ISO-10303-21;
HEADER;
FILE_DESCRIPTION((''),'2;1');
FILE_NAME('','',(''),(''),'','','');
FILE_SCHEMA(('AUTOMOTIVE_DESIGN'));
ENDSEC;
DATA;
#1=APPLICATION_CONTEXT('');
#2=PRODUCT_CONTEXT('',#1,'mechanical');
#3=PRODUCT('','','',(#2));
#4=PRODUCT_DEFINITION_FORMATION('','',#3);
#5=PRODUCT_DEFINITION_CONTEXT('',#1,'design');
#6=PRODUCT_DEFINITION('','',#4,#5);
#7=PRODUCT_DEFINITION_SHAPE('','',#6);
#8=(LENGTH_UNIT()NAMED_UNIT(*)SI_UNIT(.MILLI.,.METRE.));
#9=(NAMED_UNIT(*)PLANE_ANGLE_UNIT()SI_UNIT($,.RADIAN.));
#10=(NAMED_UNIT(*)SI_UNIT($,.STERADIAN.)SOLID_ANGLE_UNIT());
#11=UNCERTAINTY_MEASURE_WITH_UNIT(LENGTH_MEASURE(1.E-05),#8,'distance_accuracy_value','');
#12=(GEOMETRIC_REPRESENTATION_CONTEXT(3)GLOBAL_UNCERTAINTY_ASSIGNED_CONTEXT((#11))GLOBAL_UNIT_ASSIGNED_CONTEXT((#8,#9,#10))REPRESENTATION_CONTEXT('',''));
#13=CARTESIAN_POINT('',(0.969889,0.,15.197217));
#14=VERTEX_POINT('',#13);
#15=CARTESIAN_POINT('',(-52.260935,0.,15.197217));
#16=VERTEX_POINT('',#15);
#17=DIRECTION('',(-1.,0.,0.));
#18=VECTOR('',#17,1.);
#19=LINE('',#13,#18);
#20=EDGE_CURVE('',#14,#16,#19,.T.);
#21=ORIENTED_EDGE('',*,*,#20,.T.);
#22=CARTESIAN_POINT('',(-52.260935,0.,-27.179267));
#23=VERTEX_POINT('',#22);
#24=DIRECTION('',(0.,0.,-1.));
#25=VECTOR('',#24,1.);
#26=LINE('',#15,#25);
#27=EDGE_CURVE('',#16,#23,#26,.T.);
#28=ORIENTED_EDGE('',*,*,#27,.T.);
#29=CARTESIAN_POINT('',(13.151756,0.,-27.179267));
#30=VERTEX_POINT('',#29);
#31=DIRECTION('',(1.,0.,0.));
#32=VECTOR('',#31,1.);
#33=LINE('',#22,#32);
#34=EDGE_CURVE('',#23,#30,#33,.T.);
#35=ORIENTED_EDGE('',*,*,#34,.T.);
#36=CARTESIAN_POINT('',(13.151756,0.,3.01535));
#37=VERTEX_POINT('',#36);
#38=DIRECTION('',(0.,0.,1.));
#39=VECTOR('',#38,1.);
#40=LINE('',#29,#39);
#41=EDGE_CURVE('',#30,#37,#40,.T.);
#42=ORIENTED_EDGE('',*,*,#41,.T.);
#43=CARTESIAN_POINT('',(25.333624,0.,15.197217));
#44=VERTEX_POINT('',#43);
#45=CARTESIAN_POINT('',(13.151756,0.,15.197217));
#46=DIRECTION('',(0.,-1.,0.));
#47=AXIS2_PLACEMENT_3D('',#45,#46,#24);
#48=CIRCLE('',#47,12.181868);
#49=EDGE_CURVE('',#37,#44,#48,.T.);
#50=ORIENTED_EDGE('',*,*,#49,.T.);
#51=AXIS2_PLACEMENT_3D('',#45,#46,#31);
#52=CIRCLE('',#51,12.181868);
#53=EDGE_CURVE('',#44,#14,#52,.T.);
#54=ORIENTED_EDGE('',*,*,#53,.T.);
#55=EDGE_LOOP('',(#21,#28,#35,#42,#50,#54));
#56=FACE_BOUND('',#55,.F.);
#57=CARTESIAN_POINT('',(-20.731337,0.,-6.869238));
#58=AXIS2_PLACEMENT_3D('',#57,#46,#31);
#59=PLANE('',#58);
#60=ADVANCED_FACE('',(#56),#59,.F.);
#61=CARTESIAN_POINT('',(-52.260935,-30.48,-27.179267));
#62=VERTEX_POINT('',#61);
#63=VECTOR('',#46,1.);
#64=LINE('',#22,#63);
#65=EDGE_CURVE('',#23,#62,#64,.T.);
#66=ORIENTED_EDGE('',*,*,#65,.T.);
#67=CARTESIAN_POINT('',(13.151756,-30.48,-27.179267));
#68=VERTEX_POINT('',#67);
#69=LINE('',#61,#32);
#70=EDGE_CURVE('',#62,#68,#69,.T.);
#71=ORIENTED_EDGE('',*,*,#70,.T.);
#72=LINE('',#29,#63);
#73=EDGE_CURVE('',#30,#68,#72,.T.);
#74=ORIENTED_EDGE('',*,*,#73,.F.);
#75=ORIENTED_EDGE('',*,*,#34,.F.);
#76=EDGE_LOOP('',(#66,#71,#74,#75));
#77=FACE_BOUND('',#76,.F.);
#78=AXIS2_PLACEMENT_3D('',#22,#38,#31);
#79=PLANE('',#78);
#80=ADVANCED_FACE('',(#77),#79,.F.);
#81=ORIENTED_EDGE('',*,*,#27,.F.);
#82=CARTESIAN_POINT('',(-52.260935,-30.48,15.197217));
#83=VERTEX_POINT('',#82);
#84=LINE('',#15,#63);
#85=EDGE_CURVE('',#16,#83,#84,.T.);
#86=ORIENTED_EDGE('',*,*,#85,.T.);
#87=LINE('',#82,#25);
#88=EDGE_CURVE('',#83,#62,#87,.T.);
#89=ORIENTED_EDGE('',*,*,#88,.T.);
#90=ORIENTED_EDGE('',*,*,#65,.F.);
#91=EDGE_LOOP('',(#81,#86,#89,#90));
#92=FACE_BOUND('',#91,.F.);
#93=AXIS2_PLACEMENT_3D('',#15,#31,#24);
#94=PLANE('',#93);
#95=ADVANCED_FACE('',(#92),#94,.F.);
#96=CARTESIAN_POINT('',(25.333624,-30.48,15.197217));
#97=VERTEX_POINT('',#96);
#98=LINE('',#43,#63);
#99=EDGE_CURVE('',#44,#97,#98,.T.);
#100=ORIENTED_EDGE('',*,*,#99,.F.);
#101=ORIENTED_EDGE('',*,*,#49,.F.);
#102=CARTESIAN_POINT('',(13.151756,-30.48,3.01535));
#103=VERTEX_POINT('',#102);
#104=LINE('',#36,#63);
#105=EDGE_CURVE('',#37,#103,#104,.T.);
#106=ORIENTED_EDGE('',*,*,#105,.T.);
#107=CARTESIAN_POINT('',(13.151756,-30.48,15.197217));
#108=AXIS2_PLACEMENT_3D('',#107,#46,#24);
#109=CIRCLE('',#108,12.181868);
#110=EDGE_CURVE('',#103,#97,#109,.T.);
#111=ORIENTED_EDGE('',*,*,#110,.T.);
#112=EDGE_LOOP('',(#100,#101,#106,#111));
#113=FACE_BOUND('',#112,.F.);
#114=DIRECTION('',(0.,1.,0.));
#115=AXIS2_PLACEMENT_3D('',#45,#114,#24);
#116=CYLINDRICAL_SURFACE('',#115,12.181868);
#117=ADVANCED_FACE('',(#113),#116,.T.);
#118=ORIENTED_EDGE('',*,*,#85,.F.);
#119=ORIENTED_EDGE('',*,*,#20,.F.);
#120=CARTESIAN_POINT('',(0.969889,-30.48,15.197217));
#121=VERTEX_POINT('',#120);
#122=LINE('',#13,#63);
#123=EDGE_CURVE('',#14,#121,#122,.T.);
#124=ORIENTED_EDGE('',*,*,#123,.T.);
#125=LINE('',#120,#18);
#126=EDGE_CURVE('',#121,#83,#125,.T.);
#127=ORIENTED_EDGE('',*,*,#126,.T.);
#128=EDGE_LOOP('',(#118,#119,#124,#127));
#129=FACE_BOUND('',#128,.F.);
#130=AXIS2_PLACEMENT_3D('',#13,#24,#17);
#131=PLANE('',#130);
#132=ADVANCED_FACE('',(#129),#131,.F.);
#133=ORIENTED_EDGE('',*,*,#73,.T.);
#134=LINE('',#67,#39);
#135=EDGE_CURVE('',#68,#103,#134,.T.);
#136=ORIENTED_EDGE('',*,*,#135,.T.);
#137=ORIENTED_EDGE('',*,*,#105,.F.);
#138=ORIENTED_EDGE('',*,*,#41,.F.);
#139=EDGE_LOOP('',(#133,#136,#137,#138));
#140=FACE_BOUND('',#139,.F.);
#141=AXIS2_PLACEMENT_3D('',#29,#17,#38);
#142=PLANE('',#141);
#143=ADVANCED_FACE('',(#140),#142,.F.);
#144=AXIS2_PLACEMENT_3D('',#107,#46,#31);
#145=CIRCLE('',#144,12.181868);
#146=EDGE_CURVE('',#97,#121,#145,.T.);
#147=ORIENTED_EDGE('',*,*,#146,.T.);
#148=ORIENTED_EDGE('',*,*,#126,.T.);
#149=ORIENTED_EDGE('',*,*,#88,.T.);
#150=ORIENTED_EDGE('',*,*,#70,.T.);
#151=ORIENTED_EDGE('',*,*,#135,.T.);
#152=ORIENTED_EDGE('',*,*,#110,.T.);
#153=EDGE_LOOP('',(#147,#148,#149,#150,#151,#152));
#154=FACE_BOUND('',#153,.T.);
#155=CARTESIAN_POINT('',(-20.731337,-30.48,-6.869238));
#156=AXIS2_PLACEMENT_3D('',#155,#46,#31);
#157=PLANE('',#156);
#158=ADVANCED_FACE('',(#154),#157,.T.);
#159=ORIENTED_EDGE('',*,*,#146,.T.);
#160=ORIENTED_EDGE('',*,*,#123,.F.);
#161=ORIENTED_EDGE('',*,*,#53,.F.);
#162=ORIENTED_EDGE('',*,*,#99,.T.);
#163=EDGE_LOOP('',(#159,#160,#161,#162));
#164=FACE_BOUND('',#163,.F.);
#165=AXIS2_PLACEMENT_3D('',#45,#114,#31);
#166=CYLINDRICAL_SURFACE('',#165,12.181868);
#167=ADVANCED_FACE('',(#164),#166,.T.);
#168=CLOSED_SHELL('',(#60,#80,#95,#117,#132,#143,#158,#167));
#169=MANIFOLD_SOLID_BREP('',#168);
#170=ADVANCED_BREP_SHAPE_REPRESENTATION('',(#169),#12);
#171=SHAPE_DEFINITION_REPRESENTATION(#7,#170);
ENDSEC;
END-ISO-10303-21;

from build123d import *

# Parameters (mm, degrees)
F1_DEPTH = 30.48


with BuildPart() as f1:
    # F0 (on Front) → F1 (new body)
    with BuildSketch(Plane.XZ):
        with BuildLine():
            Line((0.9698885615, 15.1972174644), (-52.2609353065, 15.1972174644))
            Line((-52.2609353065, 15.1972174644), (-52.2609353065, -27.1792672575))
            Line((-52.2609353065, -27.1792672575), (13.1517564878, -27.1792672575))
            Line((13.1517564878, -27.1792672575), (13.1517564878, 3.0153495382))
            ThreePointArc((13.1517564878, 3.0153495382), (4.5378750696, 6.5833360463), (0.9698885615, 15.1972174644))
        make_face()
        with BuildLine():
            ThreePointArc((25.333624414, 15.1972174644), (13.1517564878, 27.3790853907), (0.9698885615, 15.1972174644))
            Line((0.9698885615, 15.1972174644), (13.1517564878, 15.1972174644))
            Line((13.1517564878, 15.1972174644), (13.1517564878, 3.0153495382))
            ThreePointArc((13.1517564878, 3.0153495382), (21.765637906, 6.5833360463), (25.333624414, 15.1972174644))
        make_face()
        with BuildLine():
            Line((13.1517564878, 15.1972174644), (0.9698885615, 15.1972174644))
            ThreePointArc((0.9698885615, 15.1972174644), (4.5378750696, 6.5833360463), (13.1517564878, 3.0153495382))
            Line((13.1517564878, 3.0153495382), (13.1517564878, 15.1972174644))
        make_face()
    extrude(amount=F1_DEPTH)


solid = f1.part
